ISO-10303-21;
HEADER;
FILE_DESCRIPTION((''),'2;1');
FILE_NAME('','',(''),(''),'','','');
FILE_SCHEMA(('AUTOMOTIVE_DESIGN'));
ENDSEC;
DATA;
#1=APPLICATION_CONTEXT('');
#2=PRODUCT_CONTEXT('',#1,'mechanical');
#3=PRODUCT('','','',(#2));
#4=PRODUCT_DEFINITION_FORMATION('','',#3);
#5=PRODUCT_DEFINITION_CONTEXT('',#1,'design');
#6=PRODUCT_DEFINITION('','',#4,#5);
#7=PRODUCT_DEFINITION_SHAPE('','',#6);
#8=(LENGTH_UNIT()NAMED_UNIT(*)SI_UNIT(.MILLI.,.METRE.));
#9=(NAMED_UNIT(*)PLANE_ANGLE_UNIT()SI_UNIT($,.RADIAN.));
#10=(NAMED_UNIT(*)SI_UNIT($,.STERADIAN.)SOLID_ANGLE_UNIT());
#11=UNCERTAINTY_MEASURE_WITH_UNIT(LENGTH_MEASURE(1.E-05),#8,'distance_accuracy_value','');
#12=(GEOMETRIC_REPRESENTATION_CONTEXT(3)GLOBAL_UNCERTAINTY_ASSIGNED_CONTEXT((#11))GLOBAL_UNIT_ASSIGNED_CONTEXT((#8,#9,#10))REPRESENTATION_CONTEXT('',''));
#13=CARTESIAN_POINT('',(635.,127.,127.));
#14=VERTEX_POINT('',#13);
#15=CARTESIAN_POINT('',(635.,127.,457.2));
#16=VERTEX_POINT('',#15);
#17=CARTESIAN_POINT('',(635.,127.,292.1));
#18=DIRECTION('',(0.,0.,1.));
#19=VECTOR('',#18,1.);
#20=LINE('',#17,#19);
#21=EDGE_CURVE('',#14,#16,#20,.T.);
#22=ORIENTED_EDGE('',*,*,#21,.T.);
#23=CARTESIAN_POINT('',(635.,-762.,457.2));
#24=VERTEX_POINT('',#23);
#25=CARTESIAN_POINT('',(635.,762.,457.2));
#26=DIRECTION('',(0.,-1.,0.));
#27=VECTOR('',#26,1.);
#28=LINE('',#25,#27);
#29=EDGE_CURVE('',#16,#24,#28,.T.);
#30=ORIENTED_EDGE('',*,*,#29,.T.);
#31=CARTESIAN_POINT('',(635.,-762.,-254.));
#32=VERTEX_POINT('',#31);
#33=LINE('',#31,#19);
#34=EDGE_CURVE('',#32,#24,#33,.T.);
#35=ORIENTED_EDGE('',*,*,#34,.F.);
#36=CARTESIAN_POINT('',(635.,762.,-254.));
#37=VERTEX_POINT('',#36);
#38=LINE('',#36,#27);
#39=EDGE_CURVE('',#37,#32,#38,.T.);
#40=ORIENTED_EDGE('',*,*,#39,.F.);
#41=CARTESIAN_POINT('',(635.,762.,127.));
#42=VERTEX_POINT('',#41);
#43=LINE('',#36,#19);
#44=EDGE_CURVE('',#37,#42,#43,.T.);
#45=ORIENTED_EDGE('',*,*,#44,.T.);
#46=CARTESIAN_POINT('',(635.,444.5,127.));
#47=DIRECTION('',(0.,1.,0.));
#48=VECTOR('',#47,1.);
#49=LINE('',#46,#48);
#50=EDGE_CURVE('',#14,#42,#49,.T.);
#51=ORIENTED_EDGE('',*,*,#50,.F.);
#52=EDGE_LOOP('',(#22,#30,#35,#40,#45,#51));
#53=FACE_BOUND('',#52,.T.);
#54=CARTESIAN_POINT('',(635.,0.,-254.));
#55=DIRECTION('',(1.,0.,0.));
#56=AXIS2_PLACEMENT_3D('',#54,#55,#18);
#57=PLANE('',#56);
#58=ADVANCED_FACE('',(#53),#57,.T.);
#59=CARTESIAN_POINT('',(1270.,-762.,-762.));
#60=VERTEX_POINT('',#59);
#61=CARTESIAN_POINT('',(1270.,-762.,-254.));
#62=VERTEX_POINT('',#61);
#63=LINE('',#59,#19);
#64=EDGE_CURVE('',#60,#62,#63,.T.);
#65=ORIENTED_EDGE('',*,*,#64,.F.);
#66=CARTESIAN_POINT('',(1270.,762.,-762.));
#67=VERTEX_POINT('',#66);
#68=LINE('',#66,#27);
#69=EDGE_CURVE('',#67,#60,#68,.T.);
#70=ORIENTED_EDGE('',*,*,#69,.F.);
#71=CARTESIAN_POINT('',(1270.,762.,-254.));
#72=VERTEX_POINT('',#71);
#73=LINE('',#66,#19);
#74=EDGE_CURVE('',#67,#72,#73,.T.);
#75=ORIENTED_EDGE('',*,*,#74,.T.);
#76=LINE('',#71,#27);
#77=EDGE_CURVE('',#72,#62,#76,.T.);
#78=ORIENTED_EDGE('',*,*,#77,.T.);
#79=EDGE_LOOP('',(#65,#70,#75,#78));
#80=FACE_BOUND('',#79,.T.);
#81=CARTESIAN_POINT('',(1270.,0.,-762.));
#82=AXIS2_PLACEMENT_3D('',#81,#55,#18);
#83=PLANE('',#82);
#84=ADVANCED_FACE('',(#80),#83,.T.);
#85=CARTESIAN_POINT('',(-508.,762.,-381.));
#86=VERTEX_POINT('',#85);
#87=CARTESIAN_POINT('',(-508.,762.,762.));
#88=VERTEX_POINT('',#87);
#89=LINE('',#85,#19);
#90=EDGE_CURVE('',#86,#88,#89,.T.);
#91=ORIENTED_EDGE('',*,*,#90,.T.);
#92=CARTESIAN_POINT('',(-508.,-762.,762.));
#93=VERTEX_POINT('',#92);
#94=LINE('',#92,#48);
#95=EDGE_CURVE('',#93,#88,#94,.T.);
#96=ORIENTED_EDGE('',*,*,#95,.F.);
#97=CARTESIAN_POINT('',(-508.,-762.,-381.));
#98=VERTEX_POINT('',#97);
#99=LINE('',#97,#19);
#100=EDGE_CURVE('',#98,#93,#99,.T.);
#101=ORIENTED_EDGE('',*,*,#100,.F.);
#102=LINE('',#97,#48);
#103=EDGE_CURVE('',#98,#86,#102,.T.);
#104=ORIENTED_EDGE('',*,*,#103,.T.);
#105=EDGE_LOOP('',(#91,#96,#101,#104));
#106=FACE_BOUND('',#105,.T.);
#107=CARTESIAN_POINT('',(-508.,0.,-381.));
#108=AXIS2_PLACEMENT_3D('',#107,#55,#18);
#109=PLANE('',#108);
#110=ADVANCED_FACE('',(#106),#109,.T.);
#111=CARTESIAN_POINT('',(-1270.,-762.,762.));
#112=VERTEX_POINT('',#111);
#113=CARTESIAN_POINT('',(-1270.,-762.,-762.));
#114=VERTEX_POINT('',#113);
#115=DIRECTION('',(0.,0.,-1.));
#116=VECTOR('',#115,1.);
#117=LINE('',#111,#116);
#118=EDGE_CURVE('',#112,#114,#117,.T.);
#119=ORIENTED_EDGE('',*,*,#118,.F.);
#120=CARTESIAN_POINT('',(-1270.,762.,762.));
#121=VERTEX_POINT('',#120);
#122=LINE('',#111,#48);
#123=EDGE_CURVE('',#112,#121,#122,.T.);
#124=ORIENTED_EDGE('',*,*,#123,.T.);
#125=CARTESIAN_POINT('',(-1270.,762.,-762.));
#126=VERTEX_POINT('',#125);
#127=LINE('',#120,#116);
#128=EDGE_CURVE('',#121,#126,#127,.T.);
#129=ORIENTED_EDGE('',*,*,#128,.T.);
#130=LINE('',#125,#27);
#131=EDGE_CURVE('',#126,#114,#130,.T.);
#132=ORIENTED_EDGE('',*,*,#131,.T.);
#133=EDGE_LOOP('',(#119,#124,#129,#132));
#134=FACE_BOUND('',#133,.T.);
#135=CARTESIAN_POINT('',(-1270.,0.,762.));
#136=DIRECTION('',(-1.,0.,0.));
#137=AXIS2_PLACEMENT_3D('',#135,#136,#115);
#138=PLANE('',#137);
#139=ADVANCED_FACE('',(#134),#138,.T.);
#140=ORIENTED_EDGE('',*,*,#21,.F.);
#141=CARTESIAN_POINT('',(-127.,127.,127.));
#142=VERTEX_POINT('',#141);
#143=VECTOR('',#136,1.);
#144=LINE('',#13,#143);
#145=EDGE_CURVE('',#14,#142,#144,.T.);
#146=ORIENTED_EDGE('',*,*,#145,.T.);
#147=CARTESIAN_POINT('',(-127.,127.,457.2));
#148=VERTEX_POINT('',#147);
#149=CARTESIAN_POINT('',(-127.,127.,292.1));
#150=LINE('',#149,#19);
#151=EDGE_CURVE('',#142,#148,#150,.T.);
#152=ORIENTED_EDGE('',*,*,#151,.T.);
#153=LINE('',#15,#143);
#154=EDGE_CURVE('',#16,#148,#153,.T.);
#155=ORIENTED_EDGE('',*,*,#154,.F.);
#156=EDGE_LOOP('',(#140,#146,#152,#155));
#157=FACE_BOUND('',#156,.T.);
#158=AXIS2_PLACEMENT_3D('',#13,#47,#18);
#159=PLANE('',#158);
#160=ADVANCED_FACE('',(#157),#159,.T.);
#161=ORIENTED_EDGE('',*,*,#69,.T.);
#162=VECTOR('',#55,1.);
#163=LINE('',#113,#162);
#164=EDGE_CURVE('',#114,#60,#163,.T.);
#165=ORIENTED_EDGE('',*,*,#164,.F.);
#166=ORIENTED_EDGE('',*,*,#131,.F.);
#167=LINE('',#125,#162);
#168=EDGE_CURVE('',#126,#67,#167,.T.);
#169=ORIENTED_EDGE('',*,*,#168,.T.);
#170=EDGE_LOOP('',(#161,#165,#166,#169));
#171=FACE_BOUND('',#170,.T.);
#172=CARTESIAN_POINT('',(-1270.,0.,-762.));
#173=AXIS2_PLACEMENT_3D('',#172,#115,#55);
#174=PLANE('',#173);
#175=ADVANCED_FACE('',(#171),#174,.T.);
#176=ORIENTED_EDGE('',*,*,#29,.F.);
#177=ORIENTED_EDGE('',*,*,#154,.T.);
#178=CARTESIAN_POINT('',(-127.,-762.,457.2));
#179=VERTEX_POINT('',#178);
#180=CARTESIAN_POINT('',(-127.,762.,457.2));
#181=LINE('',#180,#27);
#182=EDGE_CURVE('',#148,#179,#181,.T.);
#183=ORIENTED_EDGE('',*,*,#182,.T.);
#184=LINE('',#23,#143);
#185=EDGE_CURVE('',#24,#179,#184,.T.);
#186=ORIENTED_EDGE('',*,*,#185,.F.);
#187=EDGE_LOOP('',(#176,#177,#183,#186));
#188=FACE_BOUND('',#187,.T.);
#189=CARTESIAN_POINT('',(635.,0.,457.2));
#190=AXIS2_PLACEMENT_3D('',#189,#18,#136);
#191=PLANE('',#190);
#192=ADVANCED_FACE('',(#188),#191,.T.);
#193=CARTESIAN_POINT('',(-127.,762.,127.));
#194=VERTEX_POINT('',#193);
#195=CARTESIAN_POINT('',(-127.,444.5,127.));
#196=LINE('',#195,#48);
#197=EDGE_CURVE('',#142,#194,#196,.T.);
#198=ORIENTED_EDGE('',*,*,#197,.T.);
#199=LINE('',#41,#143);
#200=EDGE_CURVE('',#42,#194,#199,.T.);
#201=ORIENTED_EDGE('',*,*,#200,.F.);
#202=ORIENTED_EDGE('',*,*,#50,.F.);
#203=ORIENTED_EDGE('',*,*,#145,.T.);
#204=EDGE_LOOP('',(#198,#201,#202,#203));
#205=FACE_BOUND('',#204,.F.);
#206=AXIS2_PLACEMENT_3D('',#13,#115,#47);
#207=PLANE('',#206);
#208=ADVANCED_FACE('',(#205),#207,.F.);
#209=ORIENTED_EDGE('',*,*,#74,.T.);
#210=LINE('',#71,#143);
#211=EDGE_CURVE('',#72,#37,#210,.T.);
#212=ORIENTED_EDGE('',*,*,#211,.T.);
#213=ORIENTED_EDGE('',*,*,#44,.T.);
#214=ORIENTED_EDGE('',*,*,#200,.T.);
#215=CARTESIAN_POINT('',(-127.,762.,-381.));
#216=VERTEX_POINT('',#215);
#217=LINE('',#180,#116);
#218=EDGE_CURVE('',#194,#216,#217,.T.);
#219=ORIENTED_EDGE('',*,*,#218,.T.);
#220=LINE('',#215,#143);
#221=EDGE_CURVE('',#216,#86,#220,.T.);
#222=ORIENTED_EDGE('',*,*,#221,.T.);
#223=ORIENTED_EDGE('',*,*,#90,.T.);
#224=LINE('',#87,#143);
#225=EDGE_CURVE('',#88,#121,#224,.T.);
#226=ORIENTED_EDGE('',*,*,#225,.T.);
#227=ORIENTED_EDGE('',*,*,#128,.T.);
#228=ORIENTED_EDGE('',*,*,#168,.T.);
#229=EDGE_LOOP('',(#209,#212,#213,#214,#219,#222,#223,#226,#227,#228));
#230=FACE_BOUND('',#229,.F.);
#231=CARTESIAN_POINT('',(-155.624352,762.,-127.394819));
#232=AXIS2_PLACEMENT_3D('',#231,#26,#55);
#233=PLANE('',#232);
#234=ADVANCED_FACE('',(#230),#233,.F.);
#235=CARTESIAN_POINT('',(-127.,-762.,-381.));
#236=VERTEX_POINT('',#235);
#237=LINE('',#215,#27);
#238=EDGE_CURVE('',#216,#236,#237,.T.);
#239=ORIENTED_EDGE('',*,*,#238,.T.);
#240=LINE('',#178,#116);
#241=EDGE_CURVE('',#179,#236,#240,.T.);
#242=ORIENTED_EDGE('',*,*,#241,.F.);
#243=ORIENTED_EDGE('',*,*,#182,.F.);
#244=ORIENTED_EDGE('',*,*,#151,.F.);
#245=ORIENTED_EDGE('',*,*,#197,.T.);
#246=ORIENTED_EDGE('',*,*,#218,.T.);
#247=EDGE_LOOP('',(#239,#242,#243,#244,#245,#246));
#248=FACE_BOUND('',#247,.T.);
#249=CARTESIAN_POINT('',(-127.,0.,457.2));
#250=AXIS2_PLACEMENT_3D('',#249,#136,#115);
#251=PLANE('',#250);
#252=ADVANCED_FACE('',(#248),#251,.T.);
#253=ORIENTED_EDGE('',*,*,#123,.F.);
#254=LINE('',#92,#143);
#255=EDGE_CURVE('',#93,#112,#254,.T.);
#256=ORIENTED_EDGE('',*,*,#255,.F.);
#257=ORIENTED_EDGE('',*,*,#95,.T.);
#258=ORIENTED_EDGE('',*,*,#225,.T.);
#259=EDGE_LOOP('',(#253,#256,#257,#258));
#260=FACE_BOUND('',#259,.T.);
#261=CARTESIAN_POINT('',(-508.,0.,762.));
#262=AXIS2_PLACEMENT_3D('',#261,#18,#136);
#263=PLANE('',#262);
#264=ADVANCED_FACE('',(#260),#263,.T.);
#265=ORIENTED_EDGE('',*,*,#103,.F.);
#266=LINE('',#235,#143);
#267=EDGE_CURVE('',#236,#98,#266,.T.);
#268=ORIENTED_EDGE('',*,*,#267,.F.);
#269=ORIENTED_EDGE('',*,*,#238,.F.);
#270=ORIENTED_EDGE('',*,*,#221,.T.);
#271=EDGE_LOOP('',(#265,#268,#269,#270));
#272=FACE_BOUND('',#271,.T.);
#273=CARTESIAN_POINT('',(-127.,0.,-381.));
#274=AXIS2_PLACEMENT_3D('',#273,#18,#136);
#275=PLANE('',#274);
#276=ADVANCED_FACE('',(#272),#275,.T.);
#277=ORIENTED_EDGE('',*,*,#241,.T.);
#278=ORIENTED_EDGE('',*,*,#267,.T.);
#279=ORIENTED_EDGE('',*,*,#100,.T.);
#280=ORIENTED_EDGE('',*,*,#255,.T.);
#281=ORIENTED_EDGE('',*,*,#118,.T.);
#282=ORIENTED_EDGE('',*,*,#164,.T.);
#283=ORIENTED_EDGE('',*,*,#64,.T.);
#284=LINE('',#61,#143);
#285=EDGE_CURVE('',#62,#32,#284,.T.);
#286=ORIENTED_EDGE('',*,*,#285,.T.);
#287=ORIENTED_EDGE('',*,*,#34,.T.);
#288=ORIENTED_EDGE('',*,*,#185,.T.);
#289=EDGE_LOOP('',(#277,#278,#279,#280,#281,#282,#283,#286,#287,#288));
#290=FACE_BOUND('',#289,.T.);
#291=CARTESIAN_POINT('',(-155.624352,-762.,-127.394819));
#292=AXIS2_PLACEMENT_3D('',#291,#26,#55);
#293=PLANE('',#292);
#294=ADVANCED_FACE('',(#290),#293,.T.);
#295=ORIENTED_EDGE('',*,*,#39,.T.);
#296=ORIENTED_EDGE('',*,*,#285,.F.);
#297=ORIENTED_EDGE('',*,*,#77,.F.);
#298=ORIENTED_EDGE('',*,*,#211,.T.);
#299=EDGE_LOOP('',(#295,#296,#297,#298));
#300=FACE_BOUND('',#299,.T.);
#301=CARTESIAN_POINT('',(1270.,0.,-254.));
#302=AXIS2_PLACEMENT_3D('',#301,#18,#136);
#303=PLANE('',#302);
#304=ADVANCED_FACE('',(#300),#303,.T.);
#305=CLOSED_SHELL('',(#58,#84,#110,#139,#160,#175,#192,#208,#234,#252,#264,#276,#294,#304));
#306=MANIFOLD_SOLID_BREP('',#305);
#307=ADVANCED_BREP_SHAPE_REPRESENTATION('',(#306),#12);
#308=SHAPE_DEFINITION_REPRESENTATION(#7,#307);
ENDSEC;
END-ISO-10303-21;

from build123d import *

# Parameters (mm, degrees)
F1_DEPTH = 762
F2_W     = 635
F2_H     = 330.2
F3_DEPTH = 762


with BuildPart() as f1:
    # F0 (on Front) → F1 (new body, symmetric)
    with BuildSketch(Plane.XZ):
        Polygon((-1270, 762), (-1270, -762), (1270, -762), (1270, -254), (635, -254), (635, 457.2), (-127, 457.2), (-127, -381), (-508, -381), (-508, 762), align=None)
    extrude(amount=F1_DEPTH, both=True)

    # F2 (on face) → F3 (cut)
    with BuildSketch(Plane.YZ.offset(635)):
        with Locations((444.5, 292.1)):
            Rectangle(F2_W, F2_H)
    extrude(amount=-F3_DEPTH, mode=Mode.SUBTRACT)


solid = f1.part
